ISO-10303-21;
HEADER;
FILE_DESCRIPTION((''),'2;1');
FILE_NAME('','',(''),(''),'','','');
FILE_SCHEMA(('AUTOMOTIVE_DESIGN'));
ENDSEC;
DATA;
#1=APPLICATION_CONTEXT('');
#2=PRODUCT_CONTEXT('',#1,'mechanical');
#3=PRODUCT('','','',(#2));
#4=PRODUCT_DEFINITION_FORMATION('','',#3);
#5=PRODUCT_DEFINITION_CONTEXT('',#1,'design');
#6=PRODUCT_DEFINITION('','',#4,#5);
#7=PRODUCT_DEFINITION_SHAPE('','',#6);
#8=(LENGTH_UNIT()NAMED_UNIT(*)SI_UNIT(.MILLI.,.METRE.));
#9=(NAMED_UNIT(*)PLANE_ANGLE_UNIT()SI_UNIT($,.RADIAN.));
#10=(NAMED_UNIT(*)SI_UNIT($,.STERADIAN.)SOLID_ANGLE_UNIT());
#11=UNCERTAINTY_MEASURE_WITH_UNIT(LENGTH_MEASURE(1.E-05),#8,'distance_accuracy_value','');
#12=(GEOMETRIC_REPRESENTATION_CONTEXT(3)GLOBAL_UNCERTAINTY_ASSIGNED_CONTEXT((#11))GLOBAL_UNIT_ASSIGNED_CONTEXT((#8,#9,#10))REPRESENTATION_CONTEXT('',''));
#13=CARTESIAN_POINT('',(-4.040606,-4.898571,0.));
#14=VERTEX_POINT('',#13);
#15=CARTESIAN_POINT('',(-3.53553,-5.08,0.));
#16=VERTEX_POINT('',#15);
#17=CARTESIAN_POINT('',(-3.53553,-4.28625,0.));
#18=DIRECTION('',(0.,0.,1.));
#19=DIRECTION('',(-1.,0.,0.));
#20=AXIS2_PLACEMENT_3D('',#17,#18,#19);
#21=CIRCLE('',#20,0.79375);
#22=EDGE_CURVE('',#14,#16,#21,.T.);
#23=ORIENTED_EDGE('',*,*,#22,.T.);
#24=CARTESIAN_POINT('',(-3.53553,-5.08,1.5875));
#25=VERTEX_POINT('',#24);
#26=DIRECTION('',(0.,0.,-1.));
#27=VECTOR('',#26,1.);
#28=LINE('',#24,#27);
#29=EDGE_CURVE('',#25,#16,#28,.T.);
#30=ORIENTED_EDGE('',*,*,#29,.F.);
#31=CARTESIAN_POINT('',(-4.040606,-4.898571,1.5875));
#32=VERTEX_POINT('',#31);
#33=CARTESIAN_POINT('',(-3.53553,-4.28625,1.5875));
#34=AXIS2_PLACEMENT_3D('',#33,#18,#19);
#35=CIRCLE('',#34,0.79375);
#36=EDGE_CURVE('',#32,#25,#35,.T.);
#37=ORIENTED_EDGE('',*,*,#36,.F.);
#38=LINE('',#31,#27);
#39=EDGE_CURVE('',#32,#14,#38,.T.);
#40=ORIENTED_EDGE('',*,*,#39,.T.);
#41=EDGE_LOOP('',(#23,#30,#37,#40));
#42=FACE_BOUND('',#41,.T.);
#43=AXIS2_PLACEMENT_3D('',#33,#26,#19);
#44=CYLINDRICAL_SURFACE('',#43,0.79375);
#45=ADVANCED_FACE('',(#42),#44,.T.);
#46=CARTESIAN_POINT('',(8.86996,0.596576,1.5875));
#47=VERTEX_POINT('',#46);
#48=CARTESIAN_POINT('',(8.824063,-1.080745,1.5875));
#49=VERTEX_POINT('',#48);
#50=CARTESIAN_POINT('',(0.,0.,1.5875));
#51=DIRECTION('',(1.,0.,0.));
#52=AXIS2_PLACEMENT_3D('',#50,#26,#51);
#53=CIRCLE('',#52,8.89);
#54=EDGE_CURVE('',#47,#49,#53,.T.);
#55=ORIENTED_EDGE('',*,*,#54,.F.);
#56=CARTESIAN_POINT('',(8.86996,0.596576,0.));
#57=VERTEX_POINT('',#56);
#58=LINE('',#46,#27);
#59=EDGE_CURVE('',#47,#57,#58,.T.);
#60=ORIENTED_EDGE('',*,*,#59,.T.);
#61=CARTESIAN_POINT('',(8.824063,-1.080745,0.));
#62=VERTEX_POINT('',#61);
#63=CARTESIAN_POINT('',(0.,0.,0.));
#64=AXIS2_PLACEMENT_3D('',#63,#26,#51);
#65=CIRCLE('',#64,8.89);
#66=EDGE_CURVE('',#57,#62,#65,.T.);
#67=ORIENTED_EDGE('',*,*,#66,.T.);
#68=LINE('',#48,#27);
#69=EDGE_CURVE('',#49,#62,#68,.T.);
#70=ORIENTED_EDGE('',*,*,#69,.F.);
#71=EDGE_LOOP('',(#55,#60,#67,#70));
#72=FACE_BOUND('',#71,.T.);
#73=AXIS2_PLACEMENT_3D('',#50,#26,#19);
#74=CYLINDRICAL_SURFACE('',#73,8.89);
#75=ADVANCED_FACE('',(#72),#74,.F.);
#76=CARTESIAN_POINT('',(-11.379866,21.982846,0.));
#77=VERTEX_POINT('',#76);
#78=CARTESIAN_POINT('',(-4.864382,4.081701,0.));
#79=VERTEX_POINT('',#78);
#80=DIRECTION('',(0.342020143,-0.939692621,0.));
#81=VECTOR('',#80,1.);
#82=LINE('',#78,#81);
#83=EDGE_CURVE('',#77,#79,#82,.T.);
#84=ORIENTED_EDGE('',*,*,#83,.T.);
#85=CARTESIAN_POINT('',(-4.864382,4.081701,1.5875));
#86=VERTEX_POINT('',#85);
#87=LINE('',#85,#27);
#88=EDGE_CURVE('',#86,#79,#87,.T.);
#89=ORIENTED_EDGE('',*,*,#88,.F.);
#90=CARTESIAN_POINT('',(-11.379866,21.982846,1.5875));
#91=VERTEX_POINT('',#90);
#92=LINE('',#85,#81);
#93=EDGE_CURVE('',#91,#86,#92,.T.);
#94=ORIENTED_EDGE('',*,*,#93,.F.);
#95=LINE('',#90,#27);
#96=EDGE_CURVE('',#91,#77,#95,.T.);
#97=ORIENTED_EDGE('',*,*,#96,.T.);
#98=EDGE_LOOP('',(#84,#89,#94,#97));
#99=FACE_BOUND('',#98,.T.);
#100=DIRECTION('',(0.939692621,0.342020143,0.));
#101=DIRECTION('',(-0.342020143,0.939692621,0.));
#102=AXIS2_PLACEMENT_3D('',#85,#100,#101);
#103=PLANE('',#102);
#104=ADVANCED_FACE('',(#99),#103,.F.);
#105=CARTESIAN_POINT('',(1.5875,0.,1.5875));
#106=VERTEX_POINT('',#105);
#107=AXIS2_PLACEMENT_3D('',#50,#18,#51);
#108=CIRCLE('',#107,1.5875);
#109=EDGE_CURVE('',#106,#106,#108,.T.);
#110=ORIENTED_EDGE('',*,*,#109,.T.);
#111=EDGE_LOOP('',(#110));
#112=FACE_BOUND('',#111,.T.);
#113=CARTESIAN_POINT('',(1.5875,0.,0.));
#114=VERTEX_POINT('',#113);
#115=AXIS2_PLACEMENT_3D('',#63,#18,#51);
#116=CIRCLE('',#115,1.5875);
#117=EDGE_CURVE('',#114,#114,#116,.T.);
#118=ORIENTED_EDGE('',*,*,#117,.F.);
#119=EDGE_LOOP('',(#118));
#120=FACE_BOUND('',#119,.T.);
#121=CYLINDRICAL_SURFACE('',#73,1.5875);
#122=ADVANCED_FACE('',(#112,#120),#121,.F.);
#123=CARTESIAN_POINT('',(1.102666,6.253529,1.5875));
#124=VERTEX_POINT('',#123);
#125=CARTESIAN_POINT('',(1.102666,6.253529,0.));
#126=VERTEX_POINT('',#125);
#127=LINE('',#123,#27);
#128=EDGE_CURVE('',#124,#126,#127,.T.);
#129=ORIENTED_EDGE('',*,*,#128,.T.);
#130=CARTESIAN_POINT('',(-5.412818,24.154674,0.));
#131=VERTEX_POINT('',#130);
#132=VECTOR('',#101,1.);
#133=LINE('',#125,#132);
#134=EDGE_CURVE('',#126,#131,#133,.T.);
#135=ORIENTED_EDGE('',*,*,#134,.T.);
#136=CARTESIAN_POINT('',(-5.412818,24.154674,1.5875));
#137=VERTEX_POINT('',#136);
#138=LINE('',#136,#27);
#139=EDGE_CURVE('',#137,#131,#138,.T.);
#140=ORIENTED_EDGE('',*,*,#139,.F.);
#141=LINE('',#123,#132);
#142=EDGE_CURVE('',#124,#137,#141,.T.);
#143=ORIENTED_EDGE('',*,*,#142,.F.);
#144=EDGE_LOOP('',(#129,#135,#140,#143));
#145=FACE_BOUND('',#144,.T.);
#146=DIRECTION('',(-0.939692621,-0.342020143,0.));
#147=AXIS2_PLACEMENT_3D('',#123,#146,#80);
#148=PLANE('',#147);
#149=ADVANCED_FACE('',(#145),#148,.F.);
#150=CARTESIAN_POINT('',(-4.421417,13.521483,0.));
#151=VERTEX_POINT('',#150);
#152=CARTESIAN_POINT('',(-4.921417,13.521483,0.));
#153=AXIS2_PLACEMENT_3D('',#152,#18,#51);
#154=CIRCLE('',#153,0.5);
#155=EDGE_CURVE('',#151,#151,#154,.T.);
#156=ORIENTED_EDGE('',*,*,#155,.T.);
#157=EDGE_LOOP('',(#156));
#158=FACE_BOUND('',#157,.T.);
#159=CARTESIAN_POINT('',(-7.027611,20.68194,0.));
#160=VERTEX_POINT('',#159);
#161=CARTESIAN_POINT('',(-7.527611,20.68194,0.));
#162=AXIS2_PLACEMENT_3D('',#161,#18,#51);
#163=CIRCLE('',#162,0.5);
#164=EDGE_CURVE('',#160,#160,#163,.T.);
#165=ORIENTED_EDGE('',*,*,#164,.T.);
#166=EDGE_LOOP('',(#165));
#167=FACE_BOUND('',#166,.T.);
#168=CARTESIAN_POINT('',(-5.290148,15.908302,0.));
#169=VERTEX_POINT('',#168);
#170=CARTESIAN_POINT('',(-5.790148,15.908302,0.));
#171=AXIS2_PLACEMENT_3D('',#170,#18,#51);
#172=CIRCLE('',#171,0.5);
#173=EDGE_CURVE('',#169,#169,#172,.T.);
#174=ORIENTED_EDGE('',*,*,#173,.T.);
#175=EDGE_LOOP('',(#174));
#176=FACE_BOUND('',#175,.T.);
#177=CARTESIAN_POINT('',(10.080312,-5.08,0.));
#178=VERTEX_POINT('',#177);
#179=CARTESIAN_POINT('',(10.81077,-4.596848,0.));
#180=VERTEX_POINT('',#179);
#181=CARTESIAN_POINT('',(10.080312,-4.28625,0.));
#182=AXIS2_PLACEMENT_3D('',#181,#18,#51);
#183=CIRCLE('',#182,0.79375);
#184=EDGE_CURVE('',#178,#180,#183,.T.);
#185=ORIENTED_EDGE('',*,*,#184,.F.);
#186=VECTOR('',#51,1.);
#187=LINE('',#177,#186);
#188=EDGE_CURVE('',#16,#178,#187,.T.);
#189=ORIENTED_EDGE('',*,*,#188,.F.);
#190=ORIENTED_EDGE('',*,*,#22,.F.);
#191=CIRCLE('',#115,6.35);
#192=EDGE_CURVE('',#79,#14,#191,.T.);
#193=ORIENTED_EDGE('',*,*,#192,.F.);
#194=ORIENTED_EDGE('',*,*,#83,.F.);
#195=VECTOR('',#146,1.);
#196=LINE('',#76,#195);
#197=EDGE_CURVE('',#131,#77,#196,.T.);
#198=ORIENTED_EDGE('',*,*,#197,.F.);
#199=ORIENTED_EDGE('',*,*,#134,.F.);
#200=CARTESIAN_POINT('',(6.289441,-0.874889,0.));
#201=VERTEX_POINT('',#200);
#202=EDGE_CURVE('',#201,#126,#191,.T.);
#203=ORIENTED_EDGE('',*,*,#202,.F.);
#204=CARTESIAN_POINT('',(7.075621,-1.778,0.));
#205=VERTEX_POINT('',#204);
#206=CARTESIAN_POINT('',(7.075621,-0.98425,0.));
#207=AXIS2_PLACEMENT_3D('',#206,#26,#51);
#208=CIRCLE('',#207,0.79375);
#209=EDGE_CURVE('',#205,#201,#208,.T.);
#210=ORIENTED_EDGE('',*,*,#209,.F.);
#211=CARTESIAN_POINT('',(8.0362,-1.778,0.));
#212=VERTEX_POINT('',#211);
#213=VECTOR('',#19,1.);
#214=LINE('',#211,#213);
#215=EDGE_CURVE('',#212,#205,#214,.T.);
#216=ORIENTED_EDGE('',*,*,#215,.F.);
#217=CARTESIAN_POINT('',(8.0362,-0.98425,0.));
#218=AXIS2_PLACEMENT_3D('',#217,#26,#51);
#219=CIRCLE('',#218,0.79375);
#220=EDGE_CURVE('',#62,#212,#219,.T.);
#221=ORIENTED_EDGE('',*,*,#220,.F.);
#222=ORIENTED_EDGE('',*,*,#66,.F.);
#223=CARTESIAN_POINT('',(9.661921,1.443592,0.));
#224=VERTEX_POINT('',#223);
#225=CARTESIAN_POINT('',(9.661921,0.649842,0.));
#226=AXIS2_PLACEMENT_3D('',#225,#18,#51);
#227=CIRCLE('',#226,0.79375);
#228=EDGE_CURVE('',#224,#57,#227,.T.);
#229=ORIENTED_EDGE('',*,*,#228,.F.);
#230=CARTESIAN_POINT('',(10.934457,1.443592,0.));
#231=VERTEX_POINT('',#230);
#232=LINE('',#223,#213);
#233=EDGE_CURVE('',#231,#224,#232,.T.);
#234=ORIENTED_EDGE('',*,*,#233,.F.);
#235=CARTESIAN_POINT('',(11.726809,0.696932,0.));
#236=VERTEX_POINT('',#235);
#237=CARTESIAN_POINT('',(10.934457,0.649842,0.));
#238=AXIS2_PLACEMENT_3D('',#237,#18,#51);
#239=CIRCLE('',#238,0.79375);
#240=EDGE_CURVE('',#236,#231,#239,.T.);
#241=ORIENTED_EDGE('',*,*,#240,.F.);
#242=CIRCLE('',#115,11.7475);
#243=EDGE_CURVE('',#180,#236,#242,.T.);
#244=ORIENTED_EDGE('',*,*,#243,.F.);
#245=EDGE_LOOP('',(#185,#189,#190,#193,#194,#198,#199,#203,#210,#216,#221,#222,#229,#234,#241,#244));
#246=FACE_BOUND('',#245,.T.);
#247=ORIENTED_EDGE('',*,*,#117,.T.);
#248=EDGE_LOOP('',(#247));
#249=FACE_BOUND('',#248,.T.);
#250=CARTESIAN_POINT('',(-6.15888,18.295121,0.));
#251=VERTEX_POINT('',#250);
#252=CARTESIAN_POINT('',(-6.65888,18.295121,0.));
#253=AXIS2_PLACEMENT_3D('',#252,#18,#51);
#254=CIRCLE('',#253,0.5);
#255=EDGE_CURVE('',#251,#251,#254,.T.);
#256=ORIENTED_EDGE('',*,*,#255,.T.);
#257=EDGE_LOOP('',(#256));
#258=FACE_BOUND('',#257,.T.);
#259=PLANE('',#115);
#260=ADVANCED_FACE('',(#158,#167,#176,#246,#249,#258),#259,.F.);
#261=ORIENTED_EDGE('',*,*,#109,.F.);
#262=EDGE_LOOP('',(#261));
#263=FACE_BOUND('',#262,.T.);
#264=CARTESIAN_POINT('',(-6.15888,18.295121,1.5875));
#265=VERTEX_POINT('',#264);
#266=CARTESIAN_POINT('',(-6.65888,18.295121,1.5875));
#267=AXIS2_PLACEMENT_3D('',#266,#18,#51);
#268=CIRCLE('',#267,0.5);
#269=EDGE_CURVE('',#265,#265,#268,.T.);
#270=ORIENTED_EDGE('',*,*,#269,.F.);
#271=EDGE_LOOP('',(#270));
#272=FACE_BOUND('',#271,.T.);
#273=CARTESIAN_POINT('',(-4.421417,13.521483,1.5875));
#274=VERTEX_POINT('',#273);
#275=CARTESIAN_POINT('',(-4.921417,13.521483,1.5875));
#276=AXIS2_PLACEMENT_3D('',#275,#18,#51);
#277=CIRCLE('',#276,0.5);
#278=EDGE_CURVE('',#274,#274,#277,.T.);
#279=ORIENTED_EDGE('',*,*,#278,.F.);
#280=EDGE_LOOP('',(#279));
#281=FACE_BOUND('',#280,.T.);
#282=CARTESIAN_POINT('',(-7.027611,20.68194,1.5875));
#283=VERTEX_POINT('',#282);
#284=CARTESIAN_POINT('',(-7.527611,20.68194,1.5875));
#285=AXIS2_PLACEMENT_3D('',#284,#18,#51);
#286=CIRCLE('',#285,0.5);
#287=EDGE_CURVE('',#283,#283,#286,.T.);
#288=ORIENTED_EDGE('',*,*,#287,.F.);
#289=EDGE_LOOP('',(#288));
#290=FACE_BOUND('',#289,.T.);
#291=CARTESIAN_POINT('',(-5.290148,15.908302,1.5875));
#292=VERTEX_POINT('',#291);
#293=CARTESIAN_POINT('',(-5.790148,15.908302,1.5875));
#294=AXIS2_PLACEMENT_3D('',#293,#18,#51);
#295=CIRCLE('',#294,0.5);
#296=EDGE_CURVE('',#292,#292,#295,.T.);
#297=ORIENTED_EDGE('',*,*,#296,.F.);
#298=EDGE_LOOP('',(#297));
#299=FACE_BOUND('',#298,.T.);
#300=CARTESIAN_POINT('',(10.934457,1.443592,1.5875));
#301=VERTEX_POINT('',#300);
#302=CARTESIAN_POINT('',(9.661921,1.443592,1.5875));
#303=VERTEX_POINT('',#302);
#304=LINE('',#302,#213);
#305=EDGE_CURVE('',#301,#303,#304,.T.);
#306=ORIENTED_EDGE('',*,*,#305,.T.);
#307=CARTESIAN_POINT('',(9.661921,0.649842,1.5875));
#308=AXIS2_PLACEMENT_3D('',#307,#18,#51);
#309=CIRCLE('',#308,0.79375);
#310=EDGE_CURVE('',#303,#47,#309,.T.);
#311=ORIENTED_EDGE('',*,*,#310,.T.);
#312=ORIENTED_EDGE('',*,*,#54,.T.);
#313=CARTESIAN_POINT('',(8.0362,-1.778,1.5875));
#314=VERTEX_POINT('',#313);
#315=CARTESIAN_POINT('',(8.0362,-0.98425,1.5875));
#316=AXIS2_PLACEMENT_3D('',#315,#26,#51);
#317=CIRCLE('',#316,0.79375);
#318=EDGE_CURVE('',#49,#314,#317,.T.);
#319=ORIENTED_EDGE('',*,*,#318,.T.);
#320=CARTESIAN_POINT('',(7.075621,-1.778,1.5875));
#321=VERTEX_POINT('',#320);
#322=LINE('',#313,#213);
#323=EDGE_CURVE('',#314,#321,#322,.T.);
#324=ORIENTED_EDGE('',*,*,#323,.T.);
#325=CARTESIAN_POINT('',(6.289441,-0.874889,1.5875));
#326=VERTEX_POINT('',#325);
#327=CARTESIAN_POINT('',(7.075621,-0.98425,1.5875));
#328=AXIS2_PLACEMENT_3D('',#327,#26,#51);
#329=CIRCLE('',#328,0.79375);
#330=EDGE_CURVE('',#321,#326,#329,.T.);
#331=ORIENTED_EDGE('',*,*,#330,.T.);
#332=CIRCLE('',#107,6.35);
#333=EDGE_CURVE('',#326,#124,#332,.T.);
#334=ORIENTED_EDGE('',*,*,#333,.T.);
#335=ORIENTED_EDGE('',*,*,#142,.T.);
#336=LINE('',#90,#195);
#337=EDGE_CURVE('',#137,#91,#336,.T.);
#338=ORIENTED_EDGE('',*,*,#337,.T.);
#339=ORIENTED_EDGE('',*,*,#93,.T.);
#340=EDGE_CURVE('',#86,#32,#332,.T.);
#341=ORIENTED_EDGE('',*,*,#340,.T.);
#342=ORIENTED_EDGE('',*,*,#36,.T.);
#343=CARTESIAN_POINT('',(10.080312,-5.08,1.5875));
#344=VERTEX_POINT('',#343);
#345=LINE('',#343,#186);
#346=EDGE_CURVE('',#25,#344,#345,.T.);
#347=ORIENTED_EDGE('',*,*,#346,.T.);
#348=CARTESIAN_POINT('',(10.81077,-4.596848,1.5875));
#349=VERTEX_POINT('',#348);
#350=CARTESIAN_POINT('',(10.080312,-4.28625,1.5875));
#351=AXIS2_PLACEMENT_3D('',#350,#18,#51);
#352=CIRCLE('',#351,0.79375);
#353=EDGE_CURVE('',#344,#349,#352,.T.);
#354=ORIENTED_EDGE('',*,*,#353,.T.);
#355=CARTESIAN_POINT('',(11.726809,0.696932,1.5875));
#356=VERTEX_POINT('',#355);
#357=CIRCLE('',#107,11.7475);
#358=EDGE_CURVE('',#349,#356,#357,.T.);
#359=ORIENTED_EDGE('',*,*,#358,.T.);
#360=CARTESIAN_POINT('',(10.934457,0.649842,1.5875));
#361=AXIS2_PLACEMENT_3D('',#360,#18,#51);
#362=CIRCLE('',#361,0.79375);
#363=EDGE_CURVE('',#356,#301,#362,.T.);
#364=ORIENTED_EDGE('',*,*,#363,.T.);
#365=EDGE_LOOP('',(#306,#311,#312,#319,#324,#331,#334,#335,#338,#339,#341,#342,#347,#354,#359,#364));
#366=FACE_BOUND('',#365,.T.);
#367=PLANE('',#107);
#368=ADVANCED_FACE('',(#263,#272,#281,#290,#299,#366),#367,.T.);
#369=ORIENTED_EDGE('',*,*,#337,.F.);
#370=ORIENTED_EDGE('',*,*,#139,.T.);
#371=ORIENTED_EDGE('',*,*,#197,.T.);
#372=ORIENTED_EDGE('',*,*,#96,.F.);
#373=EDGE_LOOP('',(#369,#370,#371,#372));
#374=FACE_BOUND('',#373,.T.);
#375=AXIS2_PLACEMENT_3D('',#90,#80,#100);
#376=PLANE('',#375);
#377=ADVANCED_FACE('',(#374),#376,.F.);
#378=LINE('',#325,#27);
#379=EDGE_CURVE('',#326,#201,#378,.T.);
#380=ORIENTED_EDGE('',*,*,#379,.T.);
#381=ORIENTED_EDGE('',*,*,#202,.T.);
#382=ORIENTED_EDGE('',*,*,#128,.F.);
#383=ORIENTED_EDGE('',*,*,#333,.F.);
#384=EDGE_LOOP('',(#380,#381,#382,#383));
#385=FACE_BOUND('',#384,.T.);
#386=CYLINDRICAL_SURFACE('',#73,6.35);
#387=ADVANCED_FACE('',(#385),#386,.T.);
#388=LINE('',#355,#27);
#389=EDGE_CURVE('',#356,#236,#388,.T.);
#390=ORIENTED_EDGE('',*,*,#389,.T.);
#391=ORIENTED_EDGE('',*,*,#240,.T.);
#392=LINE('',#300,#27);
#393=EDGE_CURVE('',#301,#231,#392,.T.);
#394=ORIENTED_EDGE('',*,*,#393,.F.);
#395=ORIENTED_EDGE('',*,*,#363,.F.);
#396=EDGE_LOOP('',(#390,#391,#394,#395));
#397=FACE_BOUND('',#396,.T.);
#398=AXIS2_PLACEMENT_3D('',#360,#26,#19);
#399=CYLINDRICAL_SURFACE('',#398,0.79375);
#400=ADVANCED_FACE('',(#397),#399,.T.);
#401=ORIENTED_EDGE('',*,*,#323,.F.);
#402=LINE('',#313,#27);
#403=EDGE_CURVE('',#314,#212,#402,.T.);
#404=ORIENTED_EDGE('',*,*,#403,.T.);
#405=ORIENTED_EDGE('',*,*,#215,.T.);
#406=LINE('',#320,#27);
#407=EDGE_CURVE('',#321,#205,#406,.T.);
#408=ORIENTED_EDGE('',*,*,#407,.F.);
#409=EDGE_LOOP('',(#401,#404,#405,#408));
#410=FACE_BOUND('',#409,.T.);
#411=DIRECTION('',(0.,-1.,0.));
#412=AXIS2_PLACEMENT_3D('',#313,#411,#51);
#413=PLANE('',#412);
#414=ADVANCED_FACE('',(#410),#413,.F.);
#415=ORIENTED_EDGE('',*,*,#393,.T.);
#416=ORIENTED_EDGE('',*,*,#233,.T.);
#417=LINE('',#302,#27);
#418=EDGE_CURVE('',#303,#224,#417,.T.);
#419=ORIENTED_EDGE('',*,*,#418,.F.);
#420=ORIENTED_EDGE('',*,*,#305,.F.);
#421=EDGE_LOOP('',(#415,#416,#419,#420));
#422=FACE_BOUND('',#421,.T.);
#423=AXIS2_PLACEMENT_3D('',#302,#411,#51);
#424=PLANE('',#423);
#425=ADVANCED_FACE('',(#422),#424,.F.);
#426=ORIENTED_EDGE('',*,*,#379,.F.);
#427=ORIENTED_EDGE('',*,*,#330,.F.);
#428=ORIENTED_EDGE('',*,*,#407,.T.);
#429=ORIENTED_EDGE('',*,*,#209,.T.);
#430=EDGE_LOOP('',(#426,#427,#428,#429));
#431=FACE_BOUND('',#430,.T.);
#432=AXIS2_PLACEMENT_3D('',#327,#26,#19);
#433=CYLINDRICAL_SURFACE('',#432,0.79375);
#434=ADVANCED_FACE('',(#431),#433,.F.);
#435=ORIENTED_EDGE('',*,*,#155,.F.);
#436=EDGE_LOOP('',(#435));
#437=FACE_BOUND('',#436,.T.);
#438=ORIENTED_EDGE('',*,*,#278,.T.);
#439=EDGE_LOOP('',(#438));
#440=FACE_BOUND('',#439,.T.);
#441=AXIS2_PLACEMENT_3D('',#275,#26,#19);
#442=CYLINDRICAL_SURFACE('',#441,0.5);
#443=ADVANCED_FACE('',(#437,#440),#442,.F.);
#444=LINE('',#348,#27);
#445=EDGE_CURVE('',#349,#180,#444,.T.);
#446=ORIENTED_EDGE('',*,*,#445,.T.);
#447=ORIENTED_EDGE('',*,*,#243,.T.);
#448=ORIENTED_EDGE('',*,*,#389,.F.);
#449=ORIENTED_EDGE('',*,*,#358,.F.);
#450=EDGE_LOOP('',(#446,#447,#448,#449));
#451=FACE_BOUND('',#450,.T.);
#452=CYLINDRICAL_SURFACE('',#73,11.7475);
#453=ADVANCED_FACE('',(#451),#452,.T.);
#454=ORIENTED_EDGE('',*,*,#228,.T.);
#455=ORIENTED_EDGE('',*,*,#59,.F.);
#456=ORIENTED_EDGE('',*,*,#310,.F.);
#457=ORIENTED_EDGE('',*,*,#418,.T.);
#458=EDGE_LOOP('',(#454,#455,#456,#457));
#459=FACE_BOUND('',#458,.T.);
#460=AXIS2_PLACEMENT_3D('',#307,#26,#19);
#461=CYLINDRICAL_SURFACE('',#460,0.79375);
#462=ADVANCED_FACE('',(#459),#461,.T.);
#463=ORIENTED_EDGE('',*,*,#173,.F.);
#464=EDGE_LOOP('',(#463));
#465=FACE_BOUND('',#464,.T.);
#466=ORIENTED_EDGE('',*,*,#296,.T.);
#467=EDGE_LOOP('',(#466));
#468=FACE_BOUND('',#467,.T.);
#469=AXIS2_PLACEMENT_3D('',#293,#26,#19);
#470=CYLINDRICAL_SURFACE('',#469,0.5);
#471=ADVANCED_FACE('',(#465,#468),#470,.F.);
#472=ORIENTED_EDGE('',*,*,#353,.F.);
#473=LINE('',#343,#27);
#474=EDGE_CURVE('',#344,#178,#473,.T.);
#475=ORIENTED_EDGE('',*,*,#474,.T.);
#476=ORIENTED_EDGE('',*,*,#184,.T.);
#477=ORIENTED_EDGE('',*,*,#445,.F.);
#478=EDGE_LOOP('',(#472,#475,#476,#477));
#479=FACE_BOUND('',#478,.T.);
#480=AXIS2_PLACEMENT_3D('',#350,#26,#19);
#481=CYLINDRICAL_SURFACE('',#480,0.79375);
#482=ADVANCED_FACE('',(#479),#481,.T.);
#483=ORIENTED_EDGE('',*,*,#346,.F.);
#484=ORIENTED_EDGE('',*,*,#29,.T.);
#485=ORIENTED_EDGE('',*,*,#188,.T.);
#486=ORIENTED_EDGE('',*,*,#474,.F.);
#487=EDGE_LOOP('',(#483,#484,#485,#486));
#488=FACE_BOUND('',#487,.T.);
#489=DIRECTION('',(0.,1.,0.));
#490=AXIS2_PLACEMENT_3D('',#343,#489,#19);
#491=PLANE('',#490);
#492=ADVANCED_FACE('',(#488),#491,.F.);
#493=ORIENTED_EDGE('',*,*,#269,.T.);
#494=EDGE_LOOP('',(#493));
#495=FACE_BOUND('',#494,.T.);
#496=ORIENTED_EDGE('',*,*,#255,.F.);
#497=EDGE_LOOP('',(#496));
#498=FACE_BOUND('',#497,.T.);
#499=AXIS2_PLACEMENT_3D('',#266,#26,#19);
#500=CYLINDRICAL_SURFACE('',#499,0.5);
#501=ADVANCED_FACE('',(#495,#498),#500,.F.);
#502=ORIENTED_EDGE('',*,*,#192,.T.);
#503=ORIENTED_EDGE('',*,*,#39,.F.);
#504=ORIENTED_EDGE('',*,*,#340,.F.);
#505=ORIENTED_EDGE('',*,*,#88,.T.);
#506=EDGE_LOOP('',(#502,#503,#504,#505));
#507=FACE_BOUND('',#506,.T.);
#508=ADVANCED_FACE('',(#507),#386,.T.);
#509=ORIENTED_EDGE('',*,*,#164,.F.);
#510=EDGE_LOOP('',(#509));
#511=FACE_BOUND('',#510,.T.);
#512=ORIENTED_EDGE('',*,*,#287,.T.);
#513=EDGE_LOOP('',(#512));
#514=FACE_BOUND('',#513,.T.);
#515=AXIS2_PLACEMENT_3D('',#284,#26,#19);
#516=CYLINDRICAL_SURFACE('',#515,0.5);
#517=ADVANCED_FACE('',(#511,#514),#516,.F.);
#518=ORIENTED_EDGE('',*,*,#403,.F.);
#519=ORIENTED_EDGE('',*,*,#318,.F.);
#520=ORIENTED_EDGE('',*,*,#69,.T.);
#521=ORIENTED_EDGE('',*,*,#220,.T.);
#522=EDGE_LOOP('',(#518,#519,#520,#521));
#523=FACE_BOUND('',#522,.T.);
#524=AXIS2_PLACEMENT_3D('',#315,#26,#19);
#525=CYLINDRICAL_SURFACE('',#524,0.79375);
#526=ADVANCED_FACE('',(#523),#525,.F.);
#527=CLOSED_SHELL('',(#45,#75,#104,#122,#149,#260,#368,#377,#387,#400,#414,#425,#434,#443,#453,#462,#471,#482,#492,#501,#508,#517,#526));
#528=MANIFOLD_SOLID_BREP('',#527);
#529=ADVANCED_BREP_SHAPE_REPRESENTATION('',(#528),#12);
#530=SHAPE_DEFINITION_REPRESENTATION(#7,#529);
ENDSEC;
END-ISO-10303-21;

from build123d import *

# Parameters (mm, degrees)
SKETCH1_R           = 1.5875
SKETCH1_R_2         = 0.5
BOSS_EXTRUDE1_DEPTH = 1.5875


with BuildPart() as part:
    # Sketch1 → Boss-Extrude1 (new body)
    with BuildSketch(Plane.XY):
        with BuildLine():
            Line((-11.379865944, 21.982845747), (-5.412817802, 24.154673658))
            Line((-5.412817802, 24.154673658), (1.102665928, 6.253529232))
            ThreePointArc((1.102665928, 6.253529232), (5.134627331, 3.736054359), (6.289441106, -0.874888889))
            ThreePointArc((6.289441106, -0.874888889), (6.476937503, -1.505418725), (7.075621245, -1.778))
            Line((7.075621245, -1.778), (8.036200346, -1.778))
            ThreePointArc((8.036200346, -1.778), (8.562245058, -1.578653923), (8.824063125, -1.080745098))
            ThreePointArc((8.824063125, -1.080745098), (8.886673646, -0.243169696), (8.869960358, 0.596576276))
            ThreePointArc((8.869960358, 0.596576276), (9.082128579, 1.191948731), (9.661921104, 1.443592015))
            Line((9.661921104, 1.443592015), (10.93445675, 1.443592015))
            ThreePointArc((10.93445675, 1.443592015), (11.478819393, 1.227516989), (11.726808688, 0.696932016))
            ThreePointArc((11.726808688, 0.696932016), (11.575475742, -2.003027106), (10.810769922, -4.596847826))
            ThreePointArc((10.810769922, -4.596847826), (10.51820634, -4.948283265), (10.080312495, -5.08))
            Line((10.080312495, -5.08), (-3.53553037, -5.08))
            ThreePointArc((-3.53553037, -5.08), (-3.803866846, -5.033267134), (-4.040606138, -4.898571429))
            ThreePointArc((-4.040606138, -4.898571429), (-6.323450723, -0.58006116), (-4.864382214, 4.081701322))
            Line((-4.864382214, 4.081701322), (-11.379865944, 21.982845747))
        make_face()
        Circle(SKETCH1_R, mode=Mode.SUBTRACT)
        with Locations((-7.527610709, 20.681940446)):
            Circle(SKETCH1_R_2, mode=Mode.SUBTRACT)
        with Locations((-6.658879545, 18.295121189)):
            Circle(SKETCH1_R_2, mode=Mode.SUBTRACT)
        with Locations((-5.790148381, 15.908301932)):
            Circle(SKETCH1_R_2, mode=Mode.SUBTRACT)
        with Locations((-4.921417217, 13.521482675)):
            Circle(SKETCH1_R_2, mode=Mode.SUBTRACT)
    extrude(amount=BOSS_EXTRUDE1_DEPTH)


solid = part.part
